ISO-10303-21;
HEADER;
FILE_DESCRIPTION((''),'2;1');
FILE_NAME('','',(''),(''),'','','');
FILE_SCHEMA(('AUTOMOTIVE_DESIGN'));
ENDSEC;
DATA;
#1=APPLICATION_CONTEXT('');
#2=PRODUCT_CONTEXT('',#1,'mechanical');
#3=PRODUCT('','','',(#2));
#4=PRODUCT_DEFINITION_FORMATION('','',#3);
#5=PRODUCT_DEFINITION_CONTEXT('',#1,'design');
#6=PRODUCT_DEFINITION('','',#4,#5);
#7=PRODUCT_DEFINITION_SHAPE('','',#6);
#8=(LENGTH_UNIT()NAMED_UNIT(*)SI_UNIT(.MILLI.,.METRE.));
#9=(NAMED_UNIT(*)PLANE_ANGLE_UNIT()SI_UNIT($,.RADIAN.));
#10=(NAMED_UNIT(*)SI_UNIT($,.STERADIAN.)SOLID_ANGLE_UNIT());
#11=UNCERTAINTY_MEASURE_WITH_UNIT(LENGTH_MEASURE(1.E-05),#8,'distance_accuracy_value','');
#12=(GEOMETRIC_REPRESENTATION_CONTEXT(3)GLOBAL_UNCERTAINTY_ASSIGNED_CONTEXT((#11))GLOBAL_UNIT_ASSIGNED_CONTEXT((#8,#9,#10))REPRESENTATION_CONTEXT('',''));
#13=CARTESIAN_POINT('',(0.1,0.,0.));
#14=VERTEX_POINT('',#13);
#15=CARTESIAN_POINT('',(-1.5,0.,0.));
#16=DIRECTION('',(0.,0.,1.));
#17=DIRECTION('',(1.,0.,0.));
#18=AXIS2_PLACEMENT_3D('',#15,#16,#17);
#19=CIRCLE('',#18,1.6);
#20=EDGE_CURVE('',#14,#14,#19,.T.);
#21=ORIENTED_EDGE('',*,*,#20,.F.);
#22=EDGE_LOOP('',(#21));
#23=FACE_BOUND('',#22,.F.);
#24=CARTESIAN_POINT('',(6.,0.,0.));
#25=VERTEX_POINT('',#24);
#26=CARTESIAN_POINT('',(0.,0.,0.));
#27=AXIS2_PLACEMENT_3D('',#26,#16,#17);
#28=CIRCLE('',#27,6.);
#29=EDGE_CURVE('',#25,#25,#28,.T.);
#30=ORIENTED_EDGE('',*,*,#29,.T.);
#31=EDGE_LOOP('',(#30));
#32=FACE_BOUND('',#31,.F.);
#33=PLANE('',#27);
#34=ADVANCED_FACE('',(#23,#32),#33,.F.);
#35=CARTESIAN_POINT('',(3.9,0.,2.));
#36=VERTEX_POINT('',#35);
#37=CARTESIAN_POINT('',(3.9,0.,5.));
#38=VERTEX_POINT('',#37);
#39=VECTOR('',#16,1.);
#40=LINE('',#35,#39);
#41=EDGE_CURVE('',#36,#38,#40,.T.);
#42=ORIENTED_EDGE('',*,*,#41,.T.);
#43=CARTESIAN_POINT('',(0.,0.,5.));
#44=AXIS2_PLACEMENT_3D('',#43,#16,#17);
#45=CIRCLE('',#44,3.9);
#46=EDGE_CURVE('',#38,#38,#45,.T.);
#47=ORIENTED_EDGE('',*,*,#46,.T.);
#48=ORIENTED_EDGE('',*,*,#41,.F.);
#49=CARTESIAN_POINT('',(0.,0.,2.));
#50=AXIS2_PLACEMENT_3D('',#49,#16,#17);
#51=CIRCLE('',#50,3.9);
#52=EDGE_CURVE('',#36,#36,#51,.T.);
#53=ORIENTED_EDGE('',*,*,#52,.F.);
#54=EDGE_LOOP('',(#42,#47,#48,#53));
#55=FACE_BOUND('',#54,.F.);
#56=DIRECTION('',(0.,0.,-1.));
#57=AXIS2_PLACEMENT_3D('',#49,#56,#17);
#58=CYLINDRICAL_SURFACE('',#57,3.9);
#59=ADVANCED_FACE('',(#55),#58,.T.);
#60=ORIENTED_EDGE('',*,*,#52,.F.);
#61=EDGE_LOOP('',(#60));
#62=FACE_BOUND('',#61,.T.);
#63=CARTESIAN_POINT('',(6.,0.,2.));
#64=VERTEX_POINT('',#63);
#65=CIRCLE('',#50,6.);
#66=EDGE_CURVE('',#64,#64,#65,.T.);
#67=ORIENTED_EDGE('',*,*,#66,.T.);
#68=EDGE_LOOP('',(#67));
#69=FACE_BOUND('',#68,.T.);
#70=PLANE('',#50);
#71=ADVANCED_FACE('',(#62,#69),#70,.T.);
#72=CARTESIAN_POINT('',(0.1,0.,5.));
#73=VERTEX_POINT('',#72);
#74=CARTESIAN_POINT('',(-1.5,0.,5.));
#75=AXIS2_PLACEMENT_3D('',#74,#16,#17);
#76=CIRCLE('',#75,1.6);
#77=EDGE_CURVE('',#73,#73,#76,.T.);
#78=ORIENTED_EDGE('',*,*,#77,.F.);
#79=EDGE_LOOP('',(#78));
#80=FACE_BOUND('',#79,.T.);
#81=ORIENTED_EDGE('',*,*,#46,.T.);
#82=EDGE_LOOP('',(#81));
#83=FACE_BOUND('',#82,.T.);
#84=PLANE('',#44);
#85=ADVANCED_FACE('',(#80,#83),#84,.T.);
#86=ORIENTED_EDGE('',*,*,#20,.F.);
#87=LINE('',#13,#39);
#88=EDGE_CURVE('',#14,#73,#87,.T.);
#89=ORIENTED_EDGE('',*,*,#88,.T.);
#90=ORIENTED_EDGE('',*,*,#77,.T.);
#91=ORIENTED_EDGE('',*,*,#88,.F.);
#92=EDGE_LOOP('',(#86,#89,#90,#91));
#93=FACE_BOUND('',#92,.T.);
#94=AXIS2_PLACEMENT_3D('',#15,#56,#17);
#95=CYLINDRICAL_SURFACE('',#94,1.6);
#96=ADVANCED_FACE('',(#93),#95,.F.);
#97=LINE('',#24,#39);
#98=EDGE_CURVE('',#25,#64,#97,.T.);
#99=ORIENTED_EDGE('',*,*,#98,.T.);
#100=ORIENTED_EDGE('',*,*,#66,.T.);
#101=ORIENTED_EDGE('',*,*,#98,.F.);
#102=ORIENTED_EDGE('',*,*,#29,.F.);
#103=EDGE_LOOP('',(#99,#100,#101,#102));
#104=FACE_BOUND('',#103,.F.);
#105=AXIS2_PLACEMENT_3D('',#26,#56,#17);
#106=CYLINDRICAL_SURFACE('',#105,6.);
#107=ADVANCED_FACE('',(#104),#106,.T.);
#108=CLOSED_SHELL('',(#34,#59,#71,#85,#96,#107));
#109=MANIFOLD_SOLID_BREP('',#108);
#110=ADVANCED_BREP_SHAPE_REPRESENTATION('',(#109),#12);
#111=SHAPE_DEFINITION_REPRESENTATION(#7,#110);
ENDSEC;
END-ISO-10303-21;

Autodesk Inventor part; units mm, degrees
ref_plane "YZ Plane" through (0, 0, 0) normal (1, 0, 0) x (0, 1, 0)
ref_plane "XZ Plane" through (0, 0, 0) normal (0, 1, 0) x (-1, 0, 0)
ref_plane "XY Plane" through (0, 0, 0) normal (0, 0, 1) x (1, 0, 0)
sketch "Sketch1" plane through (0, 0, 0) normal (0, 0, 1) x (1, 0, 0)
  circle A0 centre (0, 0) radius 6
  circle A1 centre (-1.5, 0) radius 1.6
  dimension "d1" = 12
  dimension "d8" = 3.2
  dimension "d9" = 1.5
extrude "Extrusion1" add sketch "Sketch1" along normal blind 2
sketch "Sketch2" plane through (0, 0, 2) normal (0, 0, 1) x (1, 0, 0)
  circle A0 centre (0, 0) radius 3.9
  circle A1 centre (-1.5, 0) radius 1.6 projected
  dimension "d4" = 7.8
extrude "Extrusion2" add sketch "Sketch2" along normal blind 3
properties part number "spacer top offset center"
